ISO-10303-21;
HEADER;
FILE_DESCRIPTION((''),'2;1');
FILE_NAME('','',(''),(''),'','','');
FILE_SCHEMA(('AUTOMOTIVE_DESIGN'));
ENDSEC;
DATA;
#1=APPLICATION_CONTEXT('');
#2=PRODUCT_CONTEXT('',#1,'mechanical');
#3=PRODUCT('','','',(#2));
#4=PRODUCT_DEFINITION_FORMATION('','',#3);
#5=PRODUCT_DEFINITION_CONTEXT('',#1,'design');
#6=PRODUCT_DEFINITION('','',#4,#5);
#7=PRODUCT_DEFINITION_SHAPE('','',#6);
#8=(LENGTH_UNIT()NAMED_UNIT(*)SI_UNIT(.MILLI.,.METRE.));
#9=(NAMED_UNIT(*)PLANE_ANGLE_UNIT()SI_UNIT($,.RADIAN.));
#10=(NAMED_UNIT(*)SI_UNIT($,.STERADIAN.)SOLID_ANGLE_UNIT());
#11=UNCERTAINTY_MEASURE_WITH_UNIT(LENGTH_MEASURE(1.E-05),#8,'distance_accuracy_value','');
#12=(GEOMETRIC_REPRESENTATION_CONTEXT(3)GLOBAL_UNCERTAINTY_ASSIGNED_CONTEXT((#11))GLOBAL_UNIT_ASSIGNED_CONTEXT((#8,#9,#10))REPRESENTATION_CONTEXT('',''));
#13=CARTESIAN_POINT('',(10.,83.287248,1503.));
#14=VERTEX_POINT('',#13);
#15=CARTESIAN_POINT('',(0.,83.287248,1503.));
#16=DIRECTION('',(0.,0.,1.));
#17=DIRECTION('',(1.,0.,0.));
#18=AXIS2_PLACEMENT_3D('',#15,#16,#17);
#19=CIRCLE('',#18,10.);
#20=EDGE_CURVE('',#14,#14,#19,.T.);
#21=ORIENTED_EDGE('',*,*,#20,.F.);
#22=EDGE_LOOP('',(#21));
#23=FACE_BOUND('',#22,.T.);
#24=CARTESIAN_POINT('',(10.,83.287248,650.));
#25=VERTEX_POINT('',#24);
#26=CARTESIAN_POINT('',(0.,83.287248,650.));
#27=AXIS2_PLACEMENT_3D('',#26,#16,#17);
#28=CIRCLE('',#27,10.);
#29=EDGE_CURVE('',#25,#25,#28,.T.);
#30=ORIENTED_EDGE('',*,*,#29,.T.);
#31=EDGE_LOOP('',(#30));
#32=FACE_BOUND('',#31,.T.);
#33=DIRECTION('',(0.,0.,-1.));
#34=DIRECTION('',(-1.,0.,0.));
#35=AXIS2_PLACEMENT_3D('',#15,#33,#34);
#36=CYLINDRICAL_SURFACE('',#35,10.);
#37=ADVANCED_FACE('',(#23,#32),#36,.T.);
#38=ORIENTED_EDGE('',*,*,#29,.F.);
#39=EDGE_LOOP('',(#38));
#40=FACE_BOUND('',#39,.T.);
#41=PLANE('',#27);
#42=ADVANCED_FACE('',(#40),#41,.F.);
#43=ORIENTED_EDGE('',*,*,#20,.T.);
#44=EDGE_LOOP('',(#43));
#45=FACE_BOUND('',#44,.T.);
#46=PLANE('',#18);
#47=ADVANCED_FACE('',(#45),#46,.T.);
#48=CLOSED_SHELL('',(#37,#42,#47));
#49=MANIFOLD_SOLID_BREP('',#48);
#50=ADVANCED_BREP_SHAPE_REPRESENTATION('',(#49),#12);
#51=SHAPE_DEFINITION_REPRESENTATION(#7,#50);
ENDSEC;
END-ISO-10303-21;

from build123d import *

# Parameters (mm, degrees)
SKETCH1_R           = 10
BOSS_EXTRUDE1_DEPTH = 853


with BuildPart() as part:
    # Sketch1 → Boss-Extrude1 (new body)
    with BuildSketch(Plane.XY.offset(650)):
        with Locations((0, 83.287247591)):
            Circle(SKETCH1_R)
    extrude(amount=BOSS_EXTRUDE1_DEPTH)


solid = part.part
